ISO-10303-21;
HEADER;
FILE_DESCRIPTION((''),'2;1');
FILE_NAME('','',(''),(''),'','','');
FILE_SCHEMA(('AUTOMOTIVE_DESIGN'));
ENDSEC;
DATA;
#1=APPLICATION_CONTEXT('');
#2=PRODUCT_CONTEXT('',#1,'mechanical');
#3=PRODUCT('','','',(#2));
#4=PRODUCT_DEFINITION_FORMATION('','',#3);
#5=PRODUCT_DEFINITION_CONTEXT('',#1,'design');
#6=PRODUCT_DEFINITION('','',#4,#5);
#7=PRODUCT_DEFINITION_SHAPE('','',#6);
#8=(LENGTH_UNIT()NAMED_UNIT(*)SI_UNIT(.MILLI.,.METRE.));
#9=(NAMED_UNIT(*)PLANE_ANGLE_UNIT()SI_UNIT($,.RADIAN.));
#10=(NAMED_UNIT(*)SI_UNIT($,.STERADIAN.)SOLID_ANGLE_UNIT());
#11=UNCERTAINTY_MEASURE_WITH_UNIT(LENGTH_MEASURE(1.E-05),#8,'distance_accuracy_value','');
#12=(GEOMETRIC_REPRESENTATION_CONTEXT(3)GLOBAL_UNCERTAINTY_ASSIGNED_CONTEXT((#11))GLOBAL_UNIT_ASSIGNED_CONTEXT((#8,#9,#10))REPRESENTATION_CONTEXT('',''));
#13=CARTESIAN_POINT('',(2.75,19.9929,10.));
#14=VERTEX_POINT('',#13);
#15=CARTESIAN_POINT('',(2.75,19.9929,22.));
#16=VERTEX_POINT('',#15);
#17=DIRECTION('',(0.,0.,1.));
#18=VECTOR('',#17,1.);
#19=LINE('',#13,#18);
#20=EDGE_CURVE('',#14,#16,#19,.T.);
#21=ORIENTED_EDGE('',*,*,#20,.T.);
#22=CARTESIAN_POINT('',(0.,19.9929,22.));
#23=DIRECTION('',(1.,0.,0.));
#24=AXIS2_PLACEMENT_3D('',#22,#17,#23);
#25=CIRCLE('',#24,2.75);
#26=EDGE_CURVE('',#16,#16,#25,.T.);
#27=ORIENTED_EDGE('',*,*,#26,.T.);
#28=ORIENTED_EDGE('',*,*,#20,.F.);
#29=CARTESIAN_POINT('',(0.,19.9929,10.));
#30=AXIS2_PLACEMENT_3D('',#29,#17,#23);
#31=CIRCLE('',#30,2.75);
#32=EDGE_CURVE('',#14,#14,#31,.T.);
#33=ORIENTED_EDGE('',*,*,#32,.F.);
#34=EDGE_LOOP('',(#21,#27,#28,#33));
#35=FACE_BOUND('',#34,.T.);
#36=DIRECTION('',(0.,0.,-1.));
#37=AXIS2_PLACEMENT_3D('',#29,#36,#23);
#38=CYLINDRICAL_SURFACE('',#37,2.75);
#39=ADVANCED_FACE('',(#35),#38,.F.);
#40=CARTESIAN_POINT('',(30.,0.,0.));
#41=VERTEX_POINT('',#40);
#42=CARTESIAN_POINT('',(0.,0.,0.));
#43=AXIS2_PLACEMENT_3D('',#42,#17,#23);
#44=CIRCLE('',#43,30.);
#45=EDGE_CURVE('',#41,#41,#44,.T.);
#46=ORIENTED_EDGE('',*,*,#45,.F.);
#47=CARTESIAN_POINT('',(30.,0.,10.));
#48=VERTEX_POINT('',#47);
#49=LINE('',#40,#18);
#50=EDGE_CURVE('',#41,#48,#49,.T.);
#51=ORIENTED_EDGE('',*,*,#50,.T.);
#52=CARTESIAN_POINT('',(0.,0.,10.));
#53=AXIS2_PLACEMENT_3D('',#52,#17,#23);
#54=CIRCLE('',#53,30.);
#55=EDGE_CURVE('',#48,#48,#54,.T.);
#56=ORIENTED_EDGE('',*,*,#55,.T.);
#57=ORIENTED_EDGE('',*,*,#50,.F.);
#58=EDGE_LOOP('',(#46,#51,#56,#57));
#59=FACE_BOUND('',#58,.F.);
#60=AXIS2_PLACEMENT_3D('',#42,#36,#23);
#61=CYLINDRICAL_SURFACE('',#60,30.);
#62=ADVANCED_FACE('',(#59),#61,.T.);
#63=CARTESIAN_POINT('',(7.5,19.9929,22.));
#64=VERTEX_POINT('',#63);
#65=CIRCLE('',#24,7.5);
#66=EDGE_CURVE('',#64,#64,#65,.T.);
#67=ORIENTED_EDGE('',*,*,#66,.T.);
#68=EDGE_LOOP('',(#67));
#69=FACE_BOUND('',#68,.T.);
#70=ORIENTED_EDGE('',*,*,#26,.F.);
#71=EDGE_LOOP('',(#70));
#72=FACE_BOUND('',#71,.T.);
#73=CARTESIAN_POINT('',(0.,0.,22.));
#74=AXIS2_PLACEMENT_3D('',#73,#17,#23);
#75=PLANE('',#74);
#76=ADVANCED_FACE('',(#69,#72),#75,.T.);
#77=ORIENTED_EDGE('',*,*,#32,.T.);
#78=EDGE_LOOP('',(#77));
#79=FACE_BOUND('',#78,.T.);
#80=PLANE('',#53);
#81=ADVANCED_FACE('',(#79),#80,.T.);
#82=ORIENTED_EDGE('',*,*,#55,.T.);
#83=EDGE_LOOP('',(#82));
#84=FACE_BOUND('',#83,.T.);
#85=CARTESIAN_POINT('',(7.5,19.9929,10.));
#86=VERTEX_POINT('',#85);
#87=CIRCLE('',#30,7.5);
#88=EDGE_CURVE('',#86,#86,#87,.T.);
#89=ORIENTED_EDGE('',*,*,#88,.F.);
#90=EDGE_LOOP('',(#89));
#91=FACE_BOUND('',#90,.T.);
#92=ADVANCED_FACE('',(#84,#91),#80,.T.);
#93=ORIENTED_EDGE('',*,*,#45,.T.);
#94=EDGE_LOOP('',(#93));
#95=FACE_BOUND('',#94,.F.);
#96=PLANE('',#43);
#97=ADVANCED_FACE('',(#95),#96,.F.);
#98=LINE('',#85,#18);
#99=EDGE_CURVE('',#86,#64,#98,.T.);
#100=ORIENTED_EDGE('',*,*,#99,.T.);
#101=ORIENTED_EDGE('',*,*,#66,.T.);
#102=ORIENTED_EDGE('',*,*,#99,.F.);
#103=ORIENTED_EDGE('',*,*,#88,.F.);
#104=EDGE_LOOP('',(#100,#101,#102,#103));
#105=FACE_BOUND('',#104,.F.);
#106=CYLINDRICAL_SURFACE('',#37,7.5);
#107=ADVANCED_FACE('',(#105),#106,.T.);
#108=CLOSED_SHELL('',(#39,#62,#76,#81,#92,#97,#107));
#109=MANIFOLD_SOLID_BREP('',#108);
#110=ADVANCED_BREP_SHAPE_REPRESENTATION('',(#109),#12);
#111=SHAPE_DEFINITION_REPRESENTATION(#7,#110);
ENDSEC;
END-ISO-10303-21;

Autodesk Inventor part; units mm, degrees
ref_plane "YZ Plane" through (0, 0, 0) normal (1, 0, 0) x (0, 1, 0)
ref_plane "XZ Plane" through (0, 0, 0) normal (0, 1, 0) x (-1, 0, 0)
ref_plane "XY Plane" through (0, 0, 0) normal (0, 0, 1) x (1, 0, 0)
sketch "Sketch1" plane through (0, 0, 0) normal (0, 0, 1) x (1, 0, 0)
  circle A0 centre (0, 0) radius 30
  dimension "d0" = 60
extrude "Extrusion1" add sketch "Sketch1" along normal blind 10
sketch "Sketch2" plane through (0, 0, 10) normal (0, 0, 1) x (1, 0, 0)
  circle A0 centre (0, 19.9929) radius 7.5
  circle A1 centre (0, 19.9929) radius 2.75
  point P0 (0, 0)
  dimension "d3" = 15
  dimension "d4" = 5.5
extrude "Extrusion2" add sketch "Sketch2" along normal blind 12
properties part number "Disc"
